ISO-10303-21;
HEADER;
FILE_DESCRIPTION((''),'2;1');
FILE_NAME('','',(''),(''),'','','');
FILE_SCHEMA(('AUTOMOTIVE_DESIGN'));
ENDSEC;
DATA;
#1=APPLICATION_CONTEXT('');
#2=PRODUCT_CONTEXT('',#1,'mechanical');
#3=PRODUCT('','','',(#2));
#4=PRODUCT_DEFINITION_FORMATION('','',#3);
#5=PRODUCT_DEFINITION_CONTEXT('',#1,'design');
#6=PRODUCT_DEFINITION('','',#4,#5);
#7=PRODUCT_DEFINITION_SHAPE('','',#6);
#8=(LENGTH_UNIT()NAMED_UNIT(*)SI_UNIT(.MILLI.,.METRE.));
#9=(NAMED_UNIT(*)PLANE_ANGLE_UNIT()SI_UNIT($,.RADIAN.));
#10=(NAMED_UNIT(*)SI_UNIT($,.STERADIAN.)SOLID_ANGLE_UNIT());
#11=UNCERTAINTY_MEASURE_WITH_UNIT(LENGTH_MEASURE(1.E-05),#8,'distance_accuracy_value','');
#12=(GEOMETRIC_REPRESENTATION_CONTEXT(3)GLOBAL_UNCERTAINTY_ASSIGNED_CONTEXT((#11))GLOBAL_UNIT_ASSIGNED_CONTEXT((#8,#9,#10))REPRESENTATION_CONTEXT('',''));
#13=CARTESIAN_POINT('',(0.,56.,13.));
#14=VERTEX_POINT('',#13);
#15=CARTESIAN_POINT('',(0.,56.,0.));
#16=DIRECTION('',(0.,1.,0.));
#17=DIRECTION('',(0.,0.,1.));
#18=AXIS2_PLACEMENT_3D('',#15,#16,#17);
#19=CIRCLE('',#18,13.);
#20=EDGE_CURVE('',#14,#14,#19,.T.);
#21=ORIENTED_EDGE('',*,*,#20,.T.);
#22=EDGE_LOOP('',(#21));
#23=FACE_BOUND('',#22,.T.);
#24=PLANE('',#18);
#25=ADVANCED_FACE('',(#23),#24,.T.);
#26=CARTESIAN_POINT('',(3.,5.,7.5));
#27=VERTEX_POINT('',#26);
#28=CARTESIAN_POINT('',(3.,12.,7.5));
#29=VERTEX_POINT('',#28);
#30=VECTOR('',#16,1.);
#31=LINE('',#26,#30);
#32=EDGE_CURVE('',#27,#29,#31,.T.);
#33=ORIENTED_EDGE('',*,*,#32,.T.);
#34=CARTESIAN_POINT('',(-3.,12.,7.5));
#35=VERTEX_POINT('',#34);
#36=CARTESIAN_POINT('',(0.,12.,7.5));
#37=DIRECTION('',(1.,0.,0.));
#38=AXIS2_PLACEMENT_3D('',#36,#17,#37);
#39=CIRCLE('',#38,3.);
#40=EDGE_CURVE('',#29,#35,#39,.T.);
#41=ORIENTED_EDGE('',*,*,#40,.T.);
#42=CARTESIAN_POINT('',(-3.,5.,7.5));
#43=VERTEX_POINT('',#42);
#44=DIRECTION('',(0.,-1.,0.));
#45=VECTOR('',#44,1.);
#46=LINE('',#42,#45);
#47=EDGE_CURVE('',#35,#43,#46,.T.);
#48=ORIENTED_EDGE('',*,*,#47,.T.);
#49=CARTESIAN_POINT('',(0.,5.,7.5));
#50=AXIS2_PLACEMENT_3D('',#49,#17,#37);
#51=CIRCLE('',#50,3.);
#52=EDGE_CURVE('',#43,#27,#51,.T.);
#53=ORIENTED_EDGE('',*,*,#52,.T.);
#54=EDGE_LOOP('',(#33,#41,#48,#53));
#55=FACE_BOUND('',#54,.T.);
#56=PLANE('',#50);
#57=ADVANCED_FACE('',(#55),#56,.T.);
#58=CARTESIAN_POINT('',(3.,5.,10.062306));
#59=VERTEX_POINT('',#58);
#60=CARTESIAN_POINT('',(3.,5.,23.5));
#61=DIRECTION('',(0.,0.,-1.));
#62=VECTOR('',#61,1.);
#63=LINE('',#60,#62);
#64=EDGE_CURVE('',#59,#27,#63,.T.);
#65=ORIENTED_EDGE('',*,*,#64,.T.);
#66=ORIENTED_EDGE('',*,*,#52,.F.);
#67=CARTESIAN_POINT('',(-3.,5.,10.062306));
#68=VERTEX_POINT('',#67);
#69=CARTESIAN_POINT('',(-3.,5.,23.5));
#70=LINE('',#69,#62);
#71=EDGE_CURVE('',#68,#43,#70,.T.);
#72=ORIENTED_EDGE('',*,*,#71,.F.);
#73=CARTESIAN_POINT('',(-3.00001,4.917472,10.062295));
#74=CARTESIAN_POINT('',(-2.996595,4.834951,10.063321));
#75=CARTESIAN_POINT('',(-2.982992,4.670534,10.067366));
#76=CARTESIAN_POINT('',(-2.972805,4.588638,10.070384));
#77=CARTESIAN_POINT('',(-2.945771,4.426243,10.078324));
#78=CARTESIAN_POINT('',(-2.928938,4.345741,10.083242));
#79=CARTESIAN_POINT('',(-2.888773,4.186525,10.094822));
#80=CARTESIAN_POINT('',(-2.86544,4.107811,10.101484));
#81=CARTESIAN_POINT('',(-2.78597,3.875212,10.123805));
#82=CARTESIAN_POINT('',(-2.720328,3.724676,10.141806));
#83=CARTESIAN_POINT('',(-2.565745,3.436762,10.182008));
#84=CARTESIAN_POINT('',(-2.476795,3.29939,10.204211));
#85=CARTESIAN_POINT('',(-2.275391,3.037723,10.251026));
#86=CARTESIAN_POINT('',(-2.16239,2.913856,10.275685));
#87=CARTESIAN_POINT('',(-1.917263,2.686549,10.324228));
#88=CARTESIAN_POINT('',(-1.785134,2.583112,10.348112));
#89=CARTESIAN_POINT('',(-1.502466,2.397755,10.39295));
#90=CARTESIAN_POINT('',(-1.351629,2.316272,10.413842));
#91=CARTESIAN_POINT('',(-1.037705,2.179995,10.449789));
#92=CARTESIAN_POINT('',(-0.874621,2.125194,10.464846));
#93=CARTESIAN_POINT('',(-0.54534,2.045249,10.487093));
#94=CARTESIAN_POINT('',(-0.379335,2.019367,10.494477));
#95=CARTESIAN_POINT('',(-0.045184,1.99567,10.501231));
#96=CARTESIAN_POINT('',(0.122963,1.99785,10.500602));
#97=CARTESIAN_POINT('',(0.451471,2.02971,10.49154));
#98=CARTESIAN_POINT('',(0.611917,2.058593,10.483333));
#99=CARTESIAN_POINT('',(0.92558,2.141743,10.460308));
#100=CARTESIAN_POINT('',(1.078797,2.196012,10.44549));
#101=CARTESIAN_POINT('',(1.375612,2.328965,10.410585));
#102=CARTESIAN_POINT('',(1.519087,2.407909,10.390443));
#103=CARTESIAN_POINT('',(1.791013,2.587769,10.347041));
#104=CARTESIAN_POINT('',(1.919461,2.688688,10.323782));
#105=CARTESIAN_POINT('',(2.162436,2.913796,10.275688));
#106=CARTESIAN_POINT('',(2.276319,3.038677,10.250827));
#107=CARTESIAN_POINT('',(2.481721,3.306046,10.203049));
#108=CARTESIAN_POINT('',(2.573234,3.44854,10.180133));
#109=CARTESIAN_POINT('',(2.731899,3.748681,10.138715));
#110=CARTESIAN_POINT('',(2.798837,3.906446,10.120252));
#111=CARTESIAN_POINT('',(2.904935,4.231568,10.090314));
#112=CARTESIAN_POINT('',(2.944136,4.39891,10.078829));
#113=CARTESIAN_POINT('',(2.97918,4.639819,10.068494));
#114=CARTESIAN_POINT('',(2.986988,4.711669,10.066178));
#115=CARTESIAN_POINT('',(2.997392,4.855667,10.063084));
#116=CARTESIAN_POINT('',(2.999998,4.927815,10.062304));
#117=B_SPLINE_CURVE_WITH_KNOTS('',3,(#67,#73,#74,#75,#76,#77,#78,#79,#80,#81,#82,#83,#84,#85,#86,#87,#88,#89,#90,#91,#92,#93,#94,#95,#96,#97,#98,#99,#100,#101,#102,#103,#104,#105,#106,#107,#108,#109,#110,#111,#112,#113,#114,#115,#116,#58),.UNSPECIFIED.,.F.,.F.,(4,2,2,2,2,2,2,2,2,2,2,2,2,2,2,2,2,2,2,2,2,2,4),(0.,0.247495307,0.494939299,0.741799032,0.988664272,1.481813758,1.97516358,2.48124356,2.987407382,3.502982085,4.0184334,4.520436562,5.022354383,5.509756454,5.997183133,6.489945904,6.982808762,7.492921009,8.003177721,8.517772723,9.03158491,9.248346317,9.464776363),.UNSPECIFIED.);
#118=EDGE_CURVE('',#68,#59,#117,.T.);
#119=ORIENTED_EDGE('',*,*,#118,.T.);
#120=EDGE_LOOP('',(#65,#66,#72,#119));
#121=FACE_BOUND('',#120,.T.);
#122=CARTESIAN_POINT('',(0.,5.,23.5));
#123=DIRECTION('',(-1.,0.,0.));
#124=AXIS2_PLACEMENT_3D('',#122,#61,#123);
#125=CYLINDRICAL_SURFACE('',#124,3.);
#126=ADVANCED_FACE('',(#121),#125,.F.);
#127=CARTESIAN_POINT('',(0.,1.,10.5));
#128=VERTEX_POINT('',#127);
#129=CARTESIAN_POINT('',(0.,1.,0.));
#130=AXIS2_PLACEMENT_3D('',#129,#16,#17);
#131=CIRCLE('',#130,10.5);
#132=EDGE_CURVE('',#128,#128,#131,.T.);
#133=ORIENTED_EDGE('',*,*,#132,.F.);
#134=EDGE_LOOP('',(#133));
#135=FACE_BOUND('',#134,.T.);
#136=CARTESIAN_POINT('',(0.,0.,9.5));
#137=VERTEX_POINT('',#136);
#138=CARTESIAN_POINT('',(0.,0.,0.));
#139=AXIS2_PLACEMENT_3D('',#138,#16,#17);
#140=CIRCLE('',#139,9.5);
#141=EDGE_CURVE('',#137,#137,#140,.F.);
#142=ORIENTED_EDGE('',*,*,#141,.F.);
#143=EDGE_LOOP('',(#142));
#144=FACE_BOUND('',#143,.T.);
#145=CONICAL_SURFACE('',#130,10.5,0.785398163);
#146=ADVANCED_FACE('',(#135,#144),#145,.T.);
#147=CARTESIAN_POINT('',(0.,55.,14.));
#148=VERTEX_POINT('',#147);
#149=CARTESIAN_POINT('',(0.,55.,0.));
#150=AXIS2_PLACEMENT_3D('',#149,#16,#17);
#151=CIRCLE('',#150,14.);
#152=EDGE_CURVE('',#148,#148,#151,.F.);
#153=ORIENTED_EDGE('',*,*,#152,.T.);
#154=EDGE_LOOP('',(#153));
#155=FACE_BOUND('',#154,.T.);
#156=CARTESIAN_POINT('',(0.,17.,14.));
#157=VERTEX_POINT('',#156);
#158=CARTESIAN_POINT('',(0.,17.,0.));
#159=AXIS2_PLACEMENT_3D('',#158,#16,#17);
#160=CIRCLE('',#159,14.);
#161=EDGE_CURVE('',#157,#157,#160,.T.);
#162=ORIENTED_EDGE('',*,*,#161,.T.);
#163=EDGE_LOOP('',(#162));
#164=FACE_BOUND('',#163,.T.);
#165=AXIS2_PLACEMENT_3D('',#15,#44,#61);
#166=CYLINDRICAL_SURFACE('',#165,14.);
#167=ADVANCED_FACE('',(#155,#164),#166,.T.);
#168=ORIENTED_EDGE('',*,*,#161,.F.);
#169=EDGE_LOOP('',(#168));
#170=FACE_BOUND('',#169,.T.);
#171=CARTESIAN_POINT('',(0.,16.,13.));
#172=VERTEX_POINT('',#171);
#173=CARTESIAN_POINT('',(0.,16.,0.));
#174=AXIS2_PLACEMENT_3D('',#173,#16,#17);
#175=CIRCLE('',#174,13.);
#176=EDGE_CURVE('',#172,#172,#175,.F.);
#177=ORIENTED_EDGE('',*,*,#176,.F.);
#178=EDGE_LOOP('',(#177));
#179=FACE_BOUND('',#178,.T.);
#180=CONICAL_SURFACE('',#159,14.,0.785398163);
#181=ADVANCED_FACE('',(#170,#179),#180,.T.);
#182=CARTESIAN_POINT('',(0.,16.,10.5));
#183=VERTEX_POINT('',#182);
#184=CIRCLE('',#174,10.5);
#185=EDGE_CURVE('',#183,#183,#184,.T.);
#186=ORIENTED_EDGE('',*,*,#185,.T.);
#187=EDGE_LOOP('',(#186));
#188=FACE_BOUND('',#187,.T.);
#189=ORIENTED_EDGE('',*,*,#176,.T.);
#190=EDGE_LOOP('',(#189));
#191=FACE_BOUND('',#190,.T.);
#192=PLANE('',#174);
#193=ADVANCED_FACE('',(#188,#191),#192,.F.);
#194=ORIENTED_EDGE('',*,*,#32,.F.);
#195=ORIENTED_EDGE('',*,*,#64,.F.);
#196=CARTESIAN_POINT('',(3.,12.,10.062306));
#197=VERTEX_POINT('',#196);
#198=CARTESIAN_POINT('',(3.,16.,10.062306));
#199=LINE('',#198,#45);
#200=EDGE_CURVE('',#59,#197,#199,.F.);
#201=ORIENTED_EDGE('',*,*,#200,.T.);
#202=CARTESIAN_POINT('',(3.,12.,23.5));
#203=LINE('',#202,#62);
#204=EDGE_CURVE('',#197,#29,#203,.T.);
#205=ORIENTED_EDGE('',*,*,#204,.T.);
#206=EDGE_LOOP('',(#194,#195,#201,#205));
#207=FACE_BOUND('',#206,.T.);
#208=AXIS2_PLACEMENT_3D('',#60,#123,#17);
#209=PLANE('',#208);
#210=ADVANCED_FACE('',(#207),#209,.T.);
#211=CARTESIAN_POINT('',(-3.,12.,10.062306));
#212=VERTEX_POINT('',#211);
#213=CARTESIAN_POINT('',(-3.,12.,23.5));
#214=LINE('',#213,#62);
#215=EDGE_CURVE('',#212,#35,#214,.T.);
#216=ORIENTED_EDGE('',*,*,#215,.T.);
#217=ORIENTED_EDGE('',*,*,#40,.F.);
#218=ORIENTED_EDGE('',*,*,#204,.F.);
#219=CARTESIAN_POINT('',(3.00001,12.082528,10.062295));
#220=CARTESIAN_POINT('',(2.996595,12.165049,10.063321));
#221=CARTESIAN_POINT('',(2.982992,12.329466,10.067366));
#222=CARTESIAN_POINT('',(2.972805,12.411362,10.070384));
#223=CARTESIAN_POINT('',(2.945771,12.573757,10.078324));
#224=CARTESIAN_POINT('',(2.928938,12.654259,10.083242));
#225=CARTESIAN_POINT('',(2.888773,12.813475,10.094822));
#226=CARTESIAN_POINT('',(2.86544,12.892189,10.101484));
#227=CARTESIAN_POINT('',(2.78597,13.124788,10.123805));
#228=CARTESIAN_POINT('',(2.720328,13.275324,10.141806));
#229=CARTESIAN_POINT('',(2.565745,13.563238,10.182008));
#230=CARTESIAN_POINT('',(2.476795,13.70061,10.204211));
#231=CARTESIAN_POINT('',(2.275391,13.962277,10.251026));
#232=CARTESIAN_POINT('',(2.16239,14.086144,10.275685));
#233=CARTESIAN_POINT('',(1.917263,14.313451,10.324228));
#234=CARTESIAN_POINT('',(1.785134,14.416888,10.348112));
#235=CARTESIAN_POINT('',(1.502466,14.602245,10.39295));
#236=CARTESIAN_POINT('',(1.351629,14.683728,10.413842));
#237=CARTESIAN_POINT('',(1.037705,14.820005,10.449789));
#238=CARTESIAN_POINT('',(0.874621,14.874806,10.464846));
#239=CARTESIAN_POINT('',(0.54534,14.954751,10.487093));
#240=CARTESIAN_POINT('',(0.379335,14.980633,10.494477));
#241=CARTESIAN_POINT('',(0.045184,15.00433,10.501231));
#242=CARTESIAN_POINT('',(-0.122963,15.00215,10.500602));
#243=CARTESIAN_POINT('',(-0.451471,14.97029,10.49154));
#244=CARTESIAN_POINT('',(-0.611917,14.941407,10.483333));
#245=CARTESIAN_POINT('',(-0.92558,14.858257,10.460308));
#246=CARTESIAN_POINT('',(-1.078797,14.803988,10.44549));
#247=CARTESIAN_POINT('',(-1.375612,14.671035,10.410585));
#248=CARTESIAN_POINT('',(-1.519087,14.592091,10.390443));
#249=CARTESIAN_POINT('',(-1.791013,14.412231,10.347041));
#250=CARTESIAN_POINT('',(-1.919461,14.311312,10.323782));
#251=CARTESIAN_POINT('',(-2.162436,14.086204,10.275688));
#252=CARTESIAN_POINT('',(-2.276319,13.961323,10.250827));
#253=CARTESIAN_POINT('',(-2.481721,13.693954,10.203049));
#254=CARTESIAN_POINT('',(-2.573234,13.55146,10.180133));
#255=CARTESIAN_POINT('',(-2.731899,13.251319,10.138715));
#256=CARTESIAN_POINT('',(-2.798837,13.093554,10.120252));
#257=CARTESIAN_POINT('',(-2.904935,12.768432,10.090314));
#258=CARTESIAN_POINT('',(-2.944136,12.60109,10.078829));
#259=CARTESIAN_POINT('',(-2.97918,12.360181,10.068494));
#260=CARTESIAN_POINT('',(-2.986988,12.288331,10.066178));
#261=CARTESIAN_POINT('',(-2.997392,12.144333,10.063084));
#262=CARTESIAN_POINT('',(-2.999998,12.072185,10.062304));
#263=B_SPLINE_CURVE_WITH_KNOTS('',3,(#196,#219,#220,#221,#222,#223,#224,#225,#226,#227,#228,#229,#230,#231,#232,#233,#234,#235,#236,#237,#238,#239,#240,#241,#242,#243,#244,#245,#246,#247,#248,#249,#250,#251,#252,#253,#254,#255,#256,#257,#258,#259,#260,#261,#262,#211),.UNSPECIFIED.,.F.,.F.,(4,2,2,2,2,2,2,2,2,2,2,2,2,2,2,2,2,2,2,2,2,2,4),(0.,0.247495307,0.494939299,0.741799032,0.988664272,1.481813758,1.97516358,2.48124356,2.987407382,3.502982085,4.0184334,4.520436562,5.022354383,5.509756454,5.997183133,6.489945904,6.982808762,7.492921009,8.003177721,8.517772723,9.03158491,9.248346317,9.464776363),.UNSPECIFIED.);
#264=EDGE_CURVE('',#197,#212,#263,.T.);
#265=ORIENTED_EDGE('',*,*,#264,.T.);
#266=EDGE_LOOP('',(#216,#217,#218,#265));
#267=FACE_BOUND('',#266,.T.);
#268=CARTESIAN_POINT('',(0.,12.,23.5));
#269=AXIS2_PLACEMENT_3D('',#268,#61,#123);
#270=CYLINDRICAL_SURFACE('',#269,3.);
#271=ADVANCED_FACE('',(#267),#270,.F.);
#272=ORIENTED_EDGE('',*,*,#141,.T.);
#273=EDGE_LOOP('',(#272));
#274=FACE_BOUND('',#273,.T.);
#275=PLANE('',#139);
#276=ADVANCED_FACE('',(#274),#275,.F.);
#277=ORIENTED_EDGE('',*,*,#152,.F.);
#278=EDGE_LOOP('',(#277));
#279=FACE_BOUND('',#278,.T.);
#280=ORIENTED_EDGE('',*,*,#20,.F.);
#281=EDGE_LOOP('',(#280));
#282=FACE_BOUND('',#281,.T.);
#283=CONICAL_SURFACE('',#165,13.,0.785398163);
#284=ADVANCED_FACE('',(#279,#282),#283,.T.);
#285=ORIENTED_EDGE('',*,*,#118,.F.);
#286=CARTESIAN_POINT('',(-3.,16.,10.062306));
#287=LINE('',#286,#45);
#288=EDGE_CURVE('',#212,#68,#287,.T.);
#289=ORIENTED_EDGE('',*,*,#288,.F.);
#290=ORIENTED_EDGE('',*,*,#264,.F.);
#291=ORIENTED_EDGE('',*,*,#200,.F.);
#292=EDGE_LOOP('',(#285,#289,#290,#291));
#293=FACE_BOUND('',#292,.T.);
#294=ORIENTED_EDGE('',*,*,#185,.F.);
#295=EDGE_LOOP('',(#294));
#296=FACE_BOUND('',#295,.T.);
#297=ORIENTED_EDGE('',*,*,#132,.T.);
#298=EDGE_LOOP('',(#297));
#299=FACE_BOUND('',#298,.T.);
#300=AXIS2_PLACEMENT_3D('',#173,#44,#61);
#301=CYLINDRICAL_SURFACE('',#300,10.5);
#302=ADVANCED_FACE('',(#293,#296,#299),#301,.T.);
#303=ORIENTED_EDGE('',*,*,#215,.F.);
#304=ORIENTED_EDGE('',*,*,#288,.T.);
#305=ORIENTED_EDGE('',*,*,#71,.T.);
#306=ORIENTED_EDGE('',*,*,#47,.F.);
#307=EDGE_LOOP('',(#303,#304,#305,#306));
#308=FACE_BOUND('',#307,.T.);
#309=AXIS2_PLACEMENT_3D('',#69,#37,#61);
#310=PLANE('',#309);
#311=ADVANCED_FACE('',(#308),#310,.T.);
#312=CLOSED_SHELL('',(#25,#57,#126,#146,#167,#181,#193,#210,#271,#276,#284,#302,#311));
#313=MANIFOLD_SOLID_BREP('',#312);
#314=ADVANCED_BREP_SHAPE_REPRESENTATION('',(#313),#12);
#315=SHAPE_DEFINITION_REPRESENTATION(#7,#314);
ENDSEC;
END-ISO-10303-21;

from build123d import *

# Parameters (mm, degrees)
SKETCH3_R           = 14
BOSS_EXTRUDE2_DEPTH = 56
SKETCH3_4_R         = 14
SKETCH3_4_R_2       = 10.5
CUT_EXTRUDE1_DEPTH  = 16
CHAMFER1_SIZE       = 1
CUT_EXTRUDE2_DEPTH  = 16


with BuildPart() as part:
    # Sketch3 → Boss-Extrude2 (new body)
    with BuildSketch(Plane(origin=(0, 0, 0), x_dir=(1, 0, 0), z_dir=(0, 1, 0))):
        Circle(SKETCH3_R)
    extrude(amount=BOSS_EXTRUDE2_DEPTH)

    # Sketch3<4> → Cut-Extrude1 (cut)
    with BuildSketch(Plane(origin=(0, 0, 0), x_dir=(1, 0, 0), z_dir=(0, 1, 0))):
        Circle(SKETCH3_4_R)
        Circle(SKETCH3_4_R_2, mode=Mode.SUBTRACT)
    extrude(amount=CUT_EXTRUDE1_DEPTH, mode=Mode.SUBTRACT)

    # Chamfer1
    chamfer1_edges = [part.edges().sort_by_distance(p)[0] for p in [
        (-14, 56, 0),
        (-14, 16, 0),
        (-10.5, 0, 0),
    ]]
    chamfer(chamfer1_edges, length=CHAMFER1_SIZE)

    # Sketch5 → Cut-Extrude2 (cut)
    with BuildSketch(Plane.XY.offset(7.5)):
        with BuildLine():
            Line((-3, 5), (-3, 12))
            ThreePointArc((-3, 12), (0, 15), (3, 12))
            Line((3, 12), (3, 5))
            ThreePointArc((3, 5), (0, 2), (-3, 5))
        make_face()
    extrude(amount=CUT_EXTRUDE2_DEPTH, mode=Mode.SUBTRACT)


solid = part.part
